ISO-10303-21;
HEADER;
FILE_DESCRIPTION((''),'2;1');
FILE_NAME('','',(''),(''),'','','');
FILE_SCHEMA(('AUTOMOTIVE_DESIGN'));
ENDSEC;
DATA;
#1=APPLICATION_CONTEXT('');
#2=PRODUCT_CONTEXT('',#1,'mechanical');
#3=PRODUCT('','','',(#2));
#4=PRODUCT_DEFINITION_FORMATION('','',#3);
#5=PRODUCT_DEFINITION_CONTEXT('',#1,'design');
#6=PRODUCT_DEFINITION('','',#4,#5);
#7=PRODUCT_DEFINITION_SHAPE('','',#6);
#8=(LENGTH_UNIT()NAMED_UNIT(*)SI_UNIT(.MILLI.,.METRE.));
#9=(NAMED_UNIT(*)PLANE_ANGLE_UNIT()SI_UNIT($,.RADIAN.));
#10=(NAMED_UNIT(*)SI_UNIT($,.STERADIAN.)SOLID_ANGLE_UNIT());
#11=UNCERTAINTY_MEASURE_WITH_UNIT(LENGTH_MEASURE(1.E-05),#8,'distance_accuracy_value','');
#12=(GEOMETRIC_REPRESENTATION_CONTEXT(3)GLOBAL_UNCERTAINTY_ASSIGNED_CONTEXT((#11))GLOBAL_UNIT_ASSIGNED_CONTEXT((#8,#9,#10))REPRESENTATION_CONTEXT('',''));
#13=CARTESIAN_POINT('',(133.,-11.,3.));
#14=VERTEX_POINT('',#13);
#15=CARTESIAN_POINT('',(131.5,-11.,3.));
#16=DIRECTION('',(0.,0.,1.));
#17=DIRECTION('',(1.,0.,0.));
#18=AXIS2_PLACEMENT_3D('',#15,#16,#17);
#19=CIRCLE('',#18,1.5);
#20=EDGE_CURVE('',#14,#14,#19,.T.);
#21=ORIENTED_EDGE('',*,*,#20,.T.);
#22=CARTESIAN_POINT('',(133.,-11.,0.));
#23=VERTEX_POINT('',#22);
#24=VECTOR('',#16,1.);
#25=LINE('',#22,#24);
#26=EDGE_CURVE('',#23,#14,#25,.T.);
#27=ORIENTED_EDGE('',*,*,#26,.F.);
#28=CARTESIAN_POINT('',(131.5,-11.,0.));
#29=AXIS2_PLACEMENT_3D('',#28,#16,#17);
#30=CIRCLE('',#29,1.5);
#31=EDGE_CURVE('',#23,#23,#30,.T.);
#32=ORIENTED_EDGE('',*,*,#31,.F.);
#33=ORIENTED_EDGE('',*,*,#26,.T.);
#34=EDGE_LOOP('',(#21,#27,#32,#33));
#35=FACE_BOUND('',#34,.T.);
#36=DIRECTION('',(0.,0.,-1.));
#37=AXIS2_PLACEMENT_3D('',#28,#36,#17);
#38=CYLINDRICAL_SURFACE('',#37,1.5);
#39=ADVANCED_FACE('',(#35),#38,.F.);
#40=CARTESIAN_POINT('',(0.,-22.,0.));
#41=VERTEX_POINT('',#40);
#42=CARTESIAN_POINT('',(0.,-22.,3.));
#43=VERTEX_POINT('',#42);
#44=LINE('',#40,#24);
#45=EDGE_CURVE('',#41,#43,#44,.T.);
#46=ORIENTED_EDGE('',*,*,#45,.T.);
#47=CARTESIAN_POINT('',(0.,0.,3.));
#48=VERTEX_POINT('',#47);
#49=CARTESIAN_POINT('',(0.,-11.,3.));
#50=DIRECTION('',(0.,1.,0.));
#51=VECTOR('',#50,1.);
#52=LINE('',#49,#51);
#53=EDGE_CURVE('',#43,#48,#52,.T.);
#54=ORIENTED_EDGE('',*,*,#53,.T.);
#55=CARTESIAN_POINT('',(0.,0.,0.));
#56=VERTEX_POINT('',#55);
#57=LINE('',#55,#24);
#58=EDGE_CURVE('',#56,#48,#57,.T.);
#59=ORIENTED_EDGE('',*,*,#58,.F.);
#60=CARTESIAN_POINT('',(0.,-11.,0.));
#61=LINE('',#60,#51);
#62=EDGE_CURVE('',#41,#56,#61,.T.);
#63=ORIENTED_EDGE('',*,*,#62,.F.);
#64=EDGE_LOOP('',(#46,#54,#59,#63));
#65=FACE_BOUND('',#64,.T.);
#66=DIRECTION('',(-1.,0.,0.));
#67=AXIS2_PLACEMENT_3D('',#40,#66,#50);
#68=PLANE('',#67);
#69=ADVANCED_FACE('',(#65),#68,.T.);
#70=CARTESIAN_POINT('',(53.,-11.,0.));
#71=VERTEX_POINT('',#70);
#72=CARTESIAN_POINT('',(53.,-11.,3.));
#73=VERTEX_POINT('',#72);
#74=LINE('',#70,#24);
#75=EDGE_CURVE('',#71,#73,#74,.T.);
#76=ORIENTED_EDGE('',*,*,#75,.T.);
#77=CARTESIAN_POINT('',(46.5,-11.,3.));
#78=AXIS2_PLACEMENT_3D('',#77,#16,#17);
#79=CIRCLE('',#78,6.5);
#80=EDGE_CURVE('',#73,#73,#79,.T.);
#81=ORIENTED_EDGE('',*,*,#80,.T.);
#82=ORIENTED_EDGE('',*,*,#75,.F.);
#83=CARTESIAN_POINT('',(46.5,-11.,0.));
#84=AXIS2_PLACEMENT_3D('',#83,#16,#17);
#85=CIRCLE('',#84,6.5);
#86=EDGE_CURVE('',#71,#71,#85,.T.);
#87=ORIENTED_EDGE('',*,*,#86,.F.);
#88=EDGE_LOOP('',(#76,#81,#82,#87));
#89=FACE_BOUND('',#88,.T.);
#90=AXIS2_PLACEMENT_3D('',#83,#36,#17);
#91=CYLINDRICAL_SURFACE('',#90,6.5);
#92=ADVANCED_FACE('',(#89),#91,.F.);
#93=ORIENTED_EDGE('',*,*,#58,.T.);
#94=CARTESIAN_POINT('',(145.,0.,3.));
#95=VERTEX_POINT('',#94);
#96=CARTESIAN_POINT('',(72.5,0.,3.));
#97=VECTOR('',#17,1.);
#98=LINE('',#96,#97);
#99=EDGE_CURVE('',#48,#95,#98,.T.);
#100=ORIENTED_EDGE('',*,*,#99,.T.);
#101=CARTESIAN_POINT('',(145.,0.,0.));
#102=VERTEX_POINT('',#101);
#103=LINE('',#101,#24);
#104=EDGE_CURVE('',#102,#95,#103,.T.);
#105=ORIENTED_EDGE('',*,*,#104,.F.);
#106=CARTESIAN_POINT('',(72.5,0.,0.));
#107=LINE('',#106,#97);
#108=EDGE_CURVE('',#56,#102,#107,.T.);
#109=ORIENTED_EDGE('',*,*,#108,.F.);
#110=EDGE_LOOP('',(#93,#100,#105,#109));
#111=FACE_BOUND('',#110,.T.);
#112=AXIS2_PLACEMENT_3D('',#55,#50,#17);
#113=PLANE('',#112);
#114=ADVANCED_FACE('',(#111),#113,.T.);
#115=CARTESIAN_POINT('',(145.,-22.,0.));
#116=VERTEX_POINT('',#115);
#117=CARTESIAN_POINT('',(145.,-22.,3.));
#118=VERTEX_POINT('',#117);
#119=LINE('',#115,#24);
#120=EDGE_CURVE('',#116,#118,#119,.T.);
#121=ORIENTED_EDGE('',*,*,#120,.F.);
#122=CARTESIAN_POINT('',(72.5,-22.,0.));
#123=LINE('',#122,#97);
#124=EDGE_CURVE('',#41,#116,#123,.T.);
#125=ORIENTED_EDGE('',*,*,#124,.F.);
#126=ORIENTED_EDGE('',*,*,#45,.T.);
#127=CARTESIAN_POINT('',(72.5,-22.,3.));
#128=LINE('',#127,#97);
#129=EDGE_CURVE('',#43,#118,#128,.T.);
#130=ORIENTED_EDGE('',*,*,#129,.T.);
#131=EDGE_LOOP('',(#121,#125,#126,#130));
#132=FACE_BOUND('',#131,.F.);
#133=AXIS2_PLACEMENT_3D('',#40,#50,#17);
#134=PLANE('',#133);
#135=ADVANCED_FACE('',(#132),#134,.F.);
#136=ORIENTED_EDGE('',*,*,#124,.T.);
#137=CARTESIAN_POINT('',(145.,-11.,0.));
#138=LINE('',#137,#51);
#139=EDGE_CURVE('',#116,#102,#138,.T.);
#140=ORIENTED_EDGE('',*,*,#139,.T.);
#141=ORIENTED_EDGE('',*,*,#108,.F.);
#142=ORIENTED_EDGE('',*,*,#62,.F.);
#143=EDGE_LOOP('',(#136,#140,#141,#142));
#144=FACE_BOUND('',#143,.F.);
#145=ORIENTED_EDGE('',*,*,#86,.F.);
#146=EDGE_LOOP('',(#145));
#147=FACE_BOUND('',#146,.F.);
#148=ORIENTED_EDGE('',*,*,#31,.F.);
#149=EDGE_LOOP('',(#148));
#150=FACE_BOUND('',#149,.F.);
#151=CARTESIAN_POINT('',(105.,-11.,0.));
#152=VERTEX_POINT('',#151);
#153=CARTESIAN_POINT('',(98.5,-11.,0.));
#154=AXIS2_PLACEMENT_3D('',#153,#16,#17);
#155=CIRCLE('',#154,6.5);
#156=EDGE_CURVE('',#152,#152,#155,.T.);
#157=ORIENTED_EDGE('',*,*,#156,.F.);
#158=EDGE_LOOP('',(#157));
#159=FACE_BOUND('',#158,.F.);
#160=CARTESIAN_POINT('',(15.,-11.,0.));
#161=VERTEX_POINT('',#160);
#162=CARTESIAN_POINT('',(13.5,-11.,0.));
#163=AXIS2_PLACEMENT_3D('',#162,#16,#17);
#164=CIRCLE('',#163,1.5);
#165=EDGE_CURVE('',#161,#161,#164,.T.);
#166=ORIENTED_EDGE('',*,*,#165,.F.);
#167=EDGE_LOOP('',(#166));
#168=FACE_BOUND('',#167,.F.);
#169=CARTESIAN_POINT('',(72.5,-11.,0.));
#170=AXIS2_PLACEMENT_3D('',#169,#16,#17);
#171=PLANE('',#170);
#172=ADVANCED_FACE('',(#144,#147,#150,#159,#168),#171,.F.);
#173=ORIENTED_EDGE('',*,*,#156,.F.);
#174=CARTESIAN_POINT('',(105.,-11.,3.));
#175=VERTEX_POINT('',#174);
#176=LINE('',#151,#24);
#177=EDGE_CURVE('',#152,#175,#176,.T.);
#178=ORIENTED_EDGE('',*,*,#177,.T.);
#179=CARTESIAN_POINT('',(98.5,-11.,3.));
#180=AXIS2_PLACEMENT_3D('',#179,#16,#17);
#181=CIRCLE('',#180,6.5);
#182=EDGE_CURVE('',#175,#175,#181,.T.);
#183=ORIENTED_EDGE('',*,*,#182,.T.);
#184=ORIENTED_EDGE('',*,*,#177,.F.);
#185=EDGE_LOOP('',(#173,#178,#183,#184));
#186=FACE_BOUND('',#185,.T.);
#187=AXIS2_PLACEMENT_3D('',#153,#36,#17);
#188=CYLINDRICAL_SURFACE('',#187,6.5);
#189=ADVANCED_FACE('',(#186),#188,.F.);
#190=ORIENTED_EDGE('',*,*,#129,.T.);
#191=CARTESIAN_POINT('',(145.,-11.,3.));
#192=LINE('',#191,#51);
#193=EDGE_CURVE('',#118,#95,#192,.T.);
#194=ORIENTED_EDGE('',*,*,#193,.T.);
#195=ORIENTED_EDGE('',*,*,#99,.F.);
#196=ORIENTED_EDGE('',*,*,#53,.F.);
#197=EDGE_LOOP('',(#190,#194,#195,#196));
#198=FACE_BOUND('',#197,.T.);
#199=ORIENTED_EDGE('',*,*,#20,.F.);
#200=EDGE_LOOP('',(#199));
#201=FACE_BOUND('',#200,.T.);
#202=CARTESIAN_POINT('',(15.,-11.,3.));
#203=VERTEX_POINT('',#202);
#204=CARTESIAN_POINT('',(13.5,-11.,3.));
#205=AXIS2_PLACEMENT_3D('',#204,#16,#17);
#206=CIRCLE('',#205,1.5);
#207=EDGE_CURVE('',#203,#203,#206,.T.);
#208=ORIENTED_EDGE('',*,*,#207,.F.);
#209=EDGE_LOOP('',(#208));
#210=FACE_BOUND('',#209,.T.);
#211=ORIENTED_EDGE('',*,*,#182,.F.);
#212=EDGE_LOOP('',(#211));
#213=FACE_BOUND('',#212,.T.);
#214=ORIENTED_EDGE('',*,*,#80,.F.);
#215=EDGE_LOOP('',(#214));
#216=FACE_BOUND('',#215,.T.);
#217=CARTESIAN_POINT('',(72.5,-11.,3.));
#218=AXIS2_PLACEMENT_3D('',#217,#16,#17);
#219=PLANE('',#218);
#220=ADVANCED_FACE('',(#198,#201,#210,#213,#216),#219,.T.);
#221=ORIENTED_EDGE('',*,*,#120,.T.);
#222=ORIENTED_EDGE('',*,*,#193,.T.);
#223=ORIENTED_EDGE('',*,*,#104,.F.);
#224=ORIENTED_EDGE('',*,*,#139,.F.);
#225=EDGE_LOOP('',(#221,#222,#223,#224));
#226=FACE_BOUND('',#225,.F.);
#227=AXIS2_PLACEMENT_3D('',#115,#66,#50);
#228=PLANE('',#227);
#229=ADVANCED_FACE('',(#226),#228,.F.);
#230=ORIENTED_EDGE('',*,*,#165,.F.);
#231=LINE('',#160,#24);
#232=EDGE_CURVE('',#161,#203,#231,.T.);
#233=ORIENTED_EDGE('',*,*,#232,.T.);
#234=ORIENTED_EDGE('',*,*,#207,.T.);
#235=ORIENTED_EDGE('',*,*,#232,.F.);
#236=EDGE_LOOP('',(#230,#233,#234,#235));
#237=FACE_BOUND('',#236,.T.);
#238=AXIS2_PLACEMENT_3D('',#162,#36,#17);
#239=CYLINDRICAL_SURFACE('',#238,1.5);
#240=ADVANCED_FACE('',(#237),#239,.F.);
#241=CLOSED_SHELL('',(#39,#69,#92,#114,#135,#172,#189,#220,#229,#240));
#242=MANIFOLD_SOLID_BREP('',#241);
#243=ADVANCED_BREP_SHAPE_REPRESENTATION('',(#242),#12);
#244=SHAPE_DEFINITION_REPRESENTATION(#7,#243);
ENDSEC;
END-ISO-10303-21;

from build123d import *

# Parameters (mm, degrees)
F0_W     = 145
F0_H     = 22
F0_R     = 1.5
F0_R_2   = 6.5
F1_DEPTH = 3


with BuildPart() as f1:
    # F0 (on Top) → F1 (new body)
    with BuildSketch(Plane.XY):
        with Locations((72.5, -11)):
            Rectangle(F0_W, F0_H)
        with Locations((13.5, -11)):
            Circle(F0_R, mode=Mode.SUBTRACT)
        with Locations((46.5, -11)):
            Circle(F0_R_2, mode=Mode.SUBTRACT)
        with Locations((98.5, -11)):
            Circle(F0_R_2, mode=Mode.SUBTRACT)
        with Locations((131.5, -11)):
            Circle(F0_R, mode=Mode.SUBTRACT)
    extrude(amount=F1_DEPTH)


solid = f1.part
